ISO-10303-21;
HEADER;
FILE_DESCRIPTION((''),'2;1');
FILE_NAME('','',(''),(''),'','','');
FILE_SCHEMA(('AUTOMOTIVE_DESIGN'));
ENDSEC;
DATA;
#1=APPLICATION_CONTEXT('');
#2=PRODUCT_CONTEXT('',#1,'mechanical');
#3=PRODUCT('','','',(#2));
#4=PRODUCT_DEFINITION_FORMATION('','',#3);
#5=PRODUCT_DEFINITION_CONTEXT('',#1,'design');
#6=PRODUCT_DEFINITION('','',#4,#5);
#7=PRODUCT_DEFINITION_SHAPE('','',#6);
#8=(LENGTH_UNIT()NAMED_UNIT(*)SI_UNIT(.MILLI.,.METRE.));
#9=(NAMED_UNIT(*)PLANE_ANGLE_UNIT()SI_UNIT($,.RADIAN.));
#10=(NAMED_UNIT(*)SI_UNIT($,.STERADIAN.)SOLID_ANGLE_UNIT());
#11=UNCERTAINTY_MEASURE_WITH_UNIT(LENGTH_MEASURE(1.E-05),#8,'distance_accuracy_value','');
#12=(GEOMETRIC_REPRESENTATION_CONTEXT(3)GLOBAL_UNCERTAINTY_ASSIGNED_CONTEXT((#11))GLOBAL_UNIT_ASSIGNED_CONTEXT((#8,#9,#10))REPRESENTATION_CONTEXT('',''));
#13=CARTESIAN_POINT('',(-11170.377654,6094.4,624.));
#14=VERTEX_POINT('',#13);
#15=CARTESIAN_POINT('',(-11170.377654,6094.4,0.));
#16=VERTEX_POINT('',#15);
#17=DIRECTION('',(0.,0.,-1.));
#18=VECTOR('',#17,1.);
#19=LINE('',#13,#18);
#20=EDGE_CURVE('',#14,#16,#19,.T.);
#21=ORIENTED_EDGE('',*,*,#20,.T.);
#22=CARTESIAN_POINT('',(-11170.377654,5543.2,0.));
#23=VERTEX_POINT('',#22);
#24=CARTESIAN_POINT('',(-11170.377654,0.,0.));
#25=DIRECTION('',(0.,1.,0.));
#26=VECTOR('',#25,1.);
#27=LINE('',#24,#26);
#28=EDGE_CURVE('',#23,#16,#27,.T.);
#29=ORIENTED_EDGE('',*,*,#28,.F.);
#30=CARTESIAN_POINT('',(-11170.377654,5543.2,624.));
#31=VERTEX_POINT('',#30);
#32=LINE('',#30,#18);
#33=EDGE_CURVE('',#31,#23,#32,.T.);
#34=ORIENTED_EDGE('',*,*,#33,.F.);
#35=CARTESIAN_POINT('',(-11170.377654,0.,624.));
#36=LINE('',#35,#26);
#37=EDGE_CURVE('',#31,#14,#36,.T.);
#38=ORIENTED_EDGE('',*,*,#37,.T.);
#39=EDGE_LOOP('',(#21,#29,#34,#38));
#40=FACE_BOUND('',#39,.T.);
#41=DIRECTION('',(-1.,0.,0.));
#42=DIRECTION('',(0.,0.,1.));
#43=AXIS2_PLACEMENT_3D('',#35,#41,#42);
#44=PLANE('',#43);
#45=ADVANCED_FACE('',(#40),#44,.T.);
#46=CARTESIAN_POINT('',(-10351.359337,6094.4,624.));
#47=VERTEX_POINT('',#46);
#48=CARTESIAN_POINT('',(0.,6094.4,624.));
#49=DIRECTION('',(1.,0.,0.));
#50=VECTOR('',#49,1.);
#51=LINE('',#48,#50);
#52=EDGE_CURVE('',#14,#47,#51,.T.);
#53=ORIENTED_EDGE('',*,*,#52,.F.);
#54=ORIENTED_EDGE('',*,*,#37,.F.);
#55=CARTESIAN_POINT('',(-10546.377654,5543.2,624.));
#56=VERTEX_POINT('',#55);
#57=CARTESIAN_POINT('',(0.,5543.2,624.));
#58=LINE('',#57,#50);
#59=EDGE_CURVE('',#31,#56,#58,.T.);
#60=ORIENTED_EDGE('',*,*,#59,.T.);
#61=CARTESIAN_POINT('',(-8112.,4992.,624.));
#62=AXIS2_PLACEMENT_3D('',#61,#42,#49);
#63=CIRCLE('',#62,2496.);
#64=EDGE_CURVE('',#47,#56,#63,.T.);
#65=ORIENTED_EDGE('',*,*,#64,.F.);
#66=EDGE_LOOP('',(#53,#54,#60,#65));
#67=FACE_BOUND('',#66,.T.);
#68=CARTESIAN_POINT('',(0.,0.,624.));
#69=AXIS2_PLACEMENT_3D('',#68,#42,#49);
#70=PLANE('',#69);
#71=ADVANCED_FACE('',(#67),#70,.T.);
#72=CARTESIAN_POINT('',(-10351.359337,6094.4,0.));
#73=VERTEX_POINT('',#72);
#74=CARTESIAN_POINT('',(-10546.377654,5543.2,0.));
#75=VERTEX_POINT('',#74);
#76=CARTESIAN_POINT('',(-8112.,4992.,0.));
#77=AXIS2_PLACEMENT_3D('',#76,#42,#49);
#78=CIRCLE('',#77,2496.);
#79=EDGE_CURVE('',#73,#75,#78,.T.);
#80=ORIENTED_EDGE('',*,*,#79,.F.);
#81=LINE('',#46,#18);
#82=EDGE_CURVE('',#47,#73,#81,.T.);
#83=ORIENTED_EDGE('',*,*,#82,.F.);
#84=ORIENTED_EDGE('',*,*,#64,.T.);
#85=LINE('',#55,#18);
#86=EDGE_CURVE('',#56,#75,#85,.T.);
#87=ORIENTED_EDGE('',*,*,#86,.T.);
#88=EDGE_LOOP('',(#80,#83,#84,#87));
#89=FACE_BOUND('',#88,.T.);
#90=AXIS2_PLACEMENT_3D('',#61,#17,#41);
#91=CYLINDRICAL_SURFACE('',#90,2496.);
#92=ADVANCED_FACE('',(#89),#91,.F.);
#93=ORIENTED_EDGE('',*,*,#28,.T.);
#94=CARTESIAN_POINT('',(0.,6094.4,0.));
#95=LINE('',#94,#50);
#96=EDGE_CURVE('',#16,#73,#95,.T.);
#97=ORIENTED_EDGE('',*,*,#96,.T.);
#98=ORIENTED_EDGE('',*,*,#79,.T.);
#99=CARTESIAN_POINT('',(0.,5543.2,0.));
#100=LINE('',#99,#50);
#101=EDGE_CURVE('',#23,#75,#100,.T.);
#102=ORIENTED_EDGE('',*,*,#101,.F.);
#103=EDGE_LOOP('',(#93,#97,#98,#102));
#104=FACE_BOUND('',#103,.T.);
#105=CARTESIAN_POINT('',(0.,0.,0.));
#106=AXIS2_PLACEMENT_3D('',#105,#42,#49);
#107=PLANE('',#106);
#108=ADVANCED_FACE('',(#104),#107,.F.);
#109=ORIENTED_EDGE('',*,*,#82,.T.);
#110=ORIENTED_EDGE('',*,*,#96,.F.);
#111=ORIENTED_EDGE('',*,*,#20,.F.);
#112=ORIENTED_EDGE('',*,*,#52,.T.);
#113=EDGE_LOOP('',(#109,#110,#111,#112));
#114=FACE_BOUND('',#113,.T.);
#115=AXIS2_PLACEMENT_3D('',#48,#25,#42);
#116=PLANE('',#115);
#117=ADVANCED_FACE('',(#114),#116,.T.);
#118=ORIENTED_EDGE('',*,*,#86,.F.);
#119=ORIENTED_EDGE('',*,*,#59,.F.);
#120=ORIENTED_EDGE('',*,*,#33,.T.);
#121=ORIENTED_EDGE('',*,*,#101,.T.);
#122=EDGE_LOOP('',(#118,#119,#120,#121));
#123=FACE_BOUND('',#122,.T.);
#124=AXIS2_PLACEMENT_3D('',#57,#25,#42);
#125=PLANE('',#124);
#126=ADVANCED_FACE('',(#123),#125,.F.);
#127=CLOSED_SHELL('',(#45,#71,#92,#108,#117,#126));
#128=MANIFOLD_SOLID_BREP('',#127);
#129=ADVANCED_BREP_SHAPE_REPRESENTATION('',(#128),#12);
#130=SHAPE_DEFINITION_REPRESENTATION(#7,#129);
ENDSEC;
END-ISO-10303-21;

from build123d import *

# Parameters (mm, degrees)
EXTRUDE_1_DEPTH = 480
SCALE_1_SCALE   = 1.3


with BuildPart() as part:
    # 草图1 → 凸台-拉伸1 (new body)
    with BuildSketch(Plane.XY):
        with BuildLine():
            Line((-8592.598195022, 4264), (-8112.598195022, 4264))
            ThreePointArc((-8112.598195022, 4264), (-8091.25000196, 4349.188992657), (-8066.028511287, 4433.3126292))
            ThreePointArc((-8066.028511287, 4433.3126292), (-8018.870228529, 4562.510006888), (-7962.584105349, 4688))
            Line((-7962.584105349, 4688), (-8442.584105349, 4688))
            Line((-8442.584105349, 4688), (-8592.598195022, 4688))
            Line((-8592.598195022, 4688), (-8592.598195022, 4264))
        make_face()
    extrude(amount=EXTRUDE_1_DEPTH)


with BuildPart() as part_1:
    # 缩放比例1: scaled about (0, 0, 0)
    add(part.part.scale(SCALE_1_SCALE))


solid = part_1.part
